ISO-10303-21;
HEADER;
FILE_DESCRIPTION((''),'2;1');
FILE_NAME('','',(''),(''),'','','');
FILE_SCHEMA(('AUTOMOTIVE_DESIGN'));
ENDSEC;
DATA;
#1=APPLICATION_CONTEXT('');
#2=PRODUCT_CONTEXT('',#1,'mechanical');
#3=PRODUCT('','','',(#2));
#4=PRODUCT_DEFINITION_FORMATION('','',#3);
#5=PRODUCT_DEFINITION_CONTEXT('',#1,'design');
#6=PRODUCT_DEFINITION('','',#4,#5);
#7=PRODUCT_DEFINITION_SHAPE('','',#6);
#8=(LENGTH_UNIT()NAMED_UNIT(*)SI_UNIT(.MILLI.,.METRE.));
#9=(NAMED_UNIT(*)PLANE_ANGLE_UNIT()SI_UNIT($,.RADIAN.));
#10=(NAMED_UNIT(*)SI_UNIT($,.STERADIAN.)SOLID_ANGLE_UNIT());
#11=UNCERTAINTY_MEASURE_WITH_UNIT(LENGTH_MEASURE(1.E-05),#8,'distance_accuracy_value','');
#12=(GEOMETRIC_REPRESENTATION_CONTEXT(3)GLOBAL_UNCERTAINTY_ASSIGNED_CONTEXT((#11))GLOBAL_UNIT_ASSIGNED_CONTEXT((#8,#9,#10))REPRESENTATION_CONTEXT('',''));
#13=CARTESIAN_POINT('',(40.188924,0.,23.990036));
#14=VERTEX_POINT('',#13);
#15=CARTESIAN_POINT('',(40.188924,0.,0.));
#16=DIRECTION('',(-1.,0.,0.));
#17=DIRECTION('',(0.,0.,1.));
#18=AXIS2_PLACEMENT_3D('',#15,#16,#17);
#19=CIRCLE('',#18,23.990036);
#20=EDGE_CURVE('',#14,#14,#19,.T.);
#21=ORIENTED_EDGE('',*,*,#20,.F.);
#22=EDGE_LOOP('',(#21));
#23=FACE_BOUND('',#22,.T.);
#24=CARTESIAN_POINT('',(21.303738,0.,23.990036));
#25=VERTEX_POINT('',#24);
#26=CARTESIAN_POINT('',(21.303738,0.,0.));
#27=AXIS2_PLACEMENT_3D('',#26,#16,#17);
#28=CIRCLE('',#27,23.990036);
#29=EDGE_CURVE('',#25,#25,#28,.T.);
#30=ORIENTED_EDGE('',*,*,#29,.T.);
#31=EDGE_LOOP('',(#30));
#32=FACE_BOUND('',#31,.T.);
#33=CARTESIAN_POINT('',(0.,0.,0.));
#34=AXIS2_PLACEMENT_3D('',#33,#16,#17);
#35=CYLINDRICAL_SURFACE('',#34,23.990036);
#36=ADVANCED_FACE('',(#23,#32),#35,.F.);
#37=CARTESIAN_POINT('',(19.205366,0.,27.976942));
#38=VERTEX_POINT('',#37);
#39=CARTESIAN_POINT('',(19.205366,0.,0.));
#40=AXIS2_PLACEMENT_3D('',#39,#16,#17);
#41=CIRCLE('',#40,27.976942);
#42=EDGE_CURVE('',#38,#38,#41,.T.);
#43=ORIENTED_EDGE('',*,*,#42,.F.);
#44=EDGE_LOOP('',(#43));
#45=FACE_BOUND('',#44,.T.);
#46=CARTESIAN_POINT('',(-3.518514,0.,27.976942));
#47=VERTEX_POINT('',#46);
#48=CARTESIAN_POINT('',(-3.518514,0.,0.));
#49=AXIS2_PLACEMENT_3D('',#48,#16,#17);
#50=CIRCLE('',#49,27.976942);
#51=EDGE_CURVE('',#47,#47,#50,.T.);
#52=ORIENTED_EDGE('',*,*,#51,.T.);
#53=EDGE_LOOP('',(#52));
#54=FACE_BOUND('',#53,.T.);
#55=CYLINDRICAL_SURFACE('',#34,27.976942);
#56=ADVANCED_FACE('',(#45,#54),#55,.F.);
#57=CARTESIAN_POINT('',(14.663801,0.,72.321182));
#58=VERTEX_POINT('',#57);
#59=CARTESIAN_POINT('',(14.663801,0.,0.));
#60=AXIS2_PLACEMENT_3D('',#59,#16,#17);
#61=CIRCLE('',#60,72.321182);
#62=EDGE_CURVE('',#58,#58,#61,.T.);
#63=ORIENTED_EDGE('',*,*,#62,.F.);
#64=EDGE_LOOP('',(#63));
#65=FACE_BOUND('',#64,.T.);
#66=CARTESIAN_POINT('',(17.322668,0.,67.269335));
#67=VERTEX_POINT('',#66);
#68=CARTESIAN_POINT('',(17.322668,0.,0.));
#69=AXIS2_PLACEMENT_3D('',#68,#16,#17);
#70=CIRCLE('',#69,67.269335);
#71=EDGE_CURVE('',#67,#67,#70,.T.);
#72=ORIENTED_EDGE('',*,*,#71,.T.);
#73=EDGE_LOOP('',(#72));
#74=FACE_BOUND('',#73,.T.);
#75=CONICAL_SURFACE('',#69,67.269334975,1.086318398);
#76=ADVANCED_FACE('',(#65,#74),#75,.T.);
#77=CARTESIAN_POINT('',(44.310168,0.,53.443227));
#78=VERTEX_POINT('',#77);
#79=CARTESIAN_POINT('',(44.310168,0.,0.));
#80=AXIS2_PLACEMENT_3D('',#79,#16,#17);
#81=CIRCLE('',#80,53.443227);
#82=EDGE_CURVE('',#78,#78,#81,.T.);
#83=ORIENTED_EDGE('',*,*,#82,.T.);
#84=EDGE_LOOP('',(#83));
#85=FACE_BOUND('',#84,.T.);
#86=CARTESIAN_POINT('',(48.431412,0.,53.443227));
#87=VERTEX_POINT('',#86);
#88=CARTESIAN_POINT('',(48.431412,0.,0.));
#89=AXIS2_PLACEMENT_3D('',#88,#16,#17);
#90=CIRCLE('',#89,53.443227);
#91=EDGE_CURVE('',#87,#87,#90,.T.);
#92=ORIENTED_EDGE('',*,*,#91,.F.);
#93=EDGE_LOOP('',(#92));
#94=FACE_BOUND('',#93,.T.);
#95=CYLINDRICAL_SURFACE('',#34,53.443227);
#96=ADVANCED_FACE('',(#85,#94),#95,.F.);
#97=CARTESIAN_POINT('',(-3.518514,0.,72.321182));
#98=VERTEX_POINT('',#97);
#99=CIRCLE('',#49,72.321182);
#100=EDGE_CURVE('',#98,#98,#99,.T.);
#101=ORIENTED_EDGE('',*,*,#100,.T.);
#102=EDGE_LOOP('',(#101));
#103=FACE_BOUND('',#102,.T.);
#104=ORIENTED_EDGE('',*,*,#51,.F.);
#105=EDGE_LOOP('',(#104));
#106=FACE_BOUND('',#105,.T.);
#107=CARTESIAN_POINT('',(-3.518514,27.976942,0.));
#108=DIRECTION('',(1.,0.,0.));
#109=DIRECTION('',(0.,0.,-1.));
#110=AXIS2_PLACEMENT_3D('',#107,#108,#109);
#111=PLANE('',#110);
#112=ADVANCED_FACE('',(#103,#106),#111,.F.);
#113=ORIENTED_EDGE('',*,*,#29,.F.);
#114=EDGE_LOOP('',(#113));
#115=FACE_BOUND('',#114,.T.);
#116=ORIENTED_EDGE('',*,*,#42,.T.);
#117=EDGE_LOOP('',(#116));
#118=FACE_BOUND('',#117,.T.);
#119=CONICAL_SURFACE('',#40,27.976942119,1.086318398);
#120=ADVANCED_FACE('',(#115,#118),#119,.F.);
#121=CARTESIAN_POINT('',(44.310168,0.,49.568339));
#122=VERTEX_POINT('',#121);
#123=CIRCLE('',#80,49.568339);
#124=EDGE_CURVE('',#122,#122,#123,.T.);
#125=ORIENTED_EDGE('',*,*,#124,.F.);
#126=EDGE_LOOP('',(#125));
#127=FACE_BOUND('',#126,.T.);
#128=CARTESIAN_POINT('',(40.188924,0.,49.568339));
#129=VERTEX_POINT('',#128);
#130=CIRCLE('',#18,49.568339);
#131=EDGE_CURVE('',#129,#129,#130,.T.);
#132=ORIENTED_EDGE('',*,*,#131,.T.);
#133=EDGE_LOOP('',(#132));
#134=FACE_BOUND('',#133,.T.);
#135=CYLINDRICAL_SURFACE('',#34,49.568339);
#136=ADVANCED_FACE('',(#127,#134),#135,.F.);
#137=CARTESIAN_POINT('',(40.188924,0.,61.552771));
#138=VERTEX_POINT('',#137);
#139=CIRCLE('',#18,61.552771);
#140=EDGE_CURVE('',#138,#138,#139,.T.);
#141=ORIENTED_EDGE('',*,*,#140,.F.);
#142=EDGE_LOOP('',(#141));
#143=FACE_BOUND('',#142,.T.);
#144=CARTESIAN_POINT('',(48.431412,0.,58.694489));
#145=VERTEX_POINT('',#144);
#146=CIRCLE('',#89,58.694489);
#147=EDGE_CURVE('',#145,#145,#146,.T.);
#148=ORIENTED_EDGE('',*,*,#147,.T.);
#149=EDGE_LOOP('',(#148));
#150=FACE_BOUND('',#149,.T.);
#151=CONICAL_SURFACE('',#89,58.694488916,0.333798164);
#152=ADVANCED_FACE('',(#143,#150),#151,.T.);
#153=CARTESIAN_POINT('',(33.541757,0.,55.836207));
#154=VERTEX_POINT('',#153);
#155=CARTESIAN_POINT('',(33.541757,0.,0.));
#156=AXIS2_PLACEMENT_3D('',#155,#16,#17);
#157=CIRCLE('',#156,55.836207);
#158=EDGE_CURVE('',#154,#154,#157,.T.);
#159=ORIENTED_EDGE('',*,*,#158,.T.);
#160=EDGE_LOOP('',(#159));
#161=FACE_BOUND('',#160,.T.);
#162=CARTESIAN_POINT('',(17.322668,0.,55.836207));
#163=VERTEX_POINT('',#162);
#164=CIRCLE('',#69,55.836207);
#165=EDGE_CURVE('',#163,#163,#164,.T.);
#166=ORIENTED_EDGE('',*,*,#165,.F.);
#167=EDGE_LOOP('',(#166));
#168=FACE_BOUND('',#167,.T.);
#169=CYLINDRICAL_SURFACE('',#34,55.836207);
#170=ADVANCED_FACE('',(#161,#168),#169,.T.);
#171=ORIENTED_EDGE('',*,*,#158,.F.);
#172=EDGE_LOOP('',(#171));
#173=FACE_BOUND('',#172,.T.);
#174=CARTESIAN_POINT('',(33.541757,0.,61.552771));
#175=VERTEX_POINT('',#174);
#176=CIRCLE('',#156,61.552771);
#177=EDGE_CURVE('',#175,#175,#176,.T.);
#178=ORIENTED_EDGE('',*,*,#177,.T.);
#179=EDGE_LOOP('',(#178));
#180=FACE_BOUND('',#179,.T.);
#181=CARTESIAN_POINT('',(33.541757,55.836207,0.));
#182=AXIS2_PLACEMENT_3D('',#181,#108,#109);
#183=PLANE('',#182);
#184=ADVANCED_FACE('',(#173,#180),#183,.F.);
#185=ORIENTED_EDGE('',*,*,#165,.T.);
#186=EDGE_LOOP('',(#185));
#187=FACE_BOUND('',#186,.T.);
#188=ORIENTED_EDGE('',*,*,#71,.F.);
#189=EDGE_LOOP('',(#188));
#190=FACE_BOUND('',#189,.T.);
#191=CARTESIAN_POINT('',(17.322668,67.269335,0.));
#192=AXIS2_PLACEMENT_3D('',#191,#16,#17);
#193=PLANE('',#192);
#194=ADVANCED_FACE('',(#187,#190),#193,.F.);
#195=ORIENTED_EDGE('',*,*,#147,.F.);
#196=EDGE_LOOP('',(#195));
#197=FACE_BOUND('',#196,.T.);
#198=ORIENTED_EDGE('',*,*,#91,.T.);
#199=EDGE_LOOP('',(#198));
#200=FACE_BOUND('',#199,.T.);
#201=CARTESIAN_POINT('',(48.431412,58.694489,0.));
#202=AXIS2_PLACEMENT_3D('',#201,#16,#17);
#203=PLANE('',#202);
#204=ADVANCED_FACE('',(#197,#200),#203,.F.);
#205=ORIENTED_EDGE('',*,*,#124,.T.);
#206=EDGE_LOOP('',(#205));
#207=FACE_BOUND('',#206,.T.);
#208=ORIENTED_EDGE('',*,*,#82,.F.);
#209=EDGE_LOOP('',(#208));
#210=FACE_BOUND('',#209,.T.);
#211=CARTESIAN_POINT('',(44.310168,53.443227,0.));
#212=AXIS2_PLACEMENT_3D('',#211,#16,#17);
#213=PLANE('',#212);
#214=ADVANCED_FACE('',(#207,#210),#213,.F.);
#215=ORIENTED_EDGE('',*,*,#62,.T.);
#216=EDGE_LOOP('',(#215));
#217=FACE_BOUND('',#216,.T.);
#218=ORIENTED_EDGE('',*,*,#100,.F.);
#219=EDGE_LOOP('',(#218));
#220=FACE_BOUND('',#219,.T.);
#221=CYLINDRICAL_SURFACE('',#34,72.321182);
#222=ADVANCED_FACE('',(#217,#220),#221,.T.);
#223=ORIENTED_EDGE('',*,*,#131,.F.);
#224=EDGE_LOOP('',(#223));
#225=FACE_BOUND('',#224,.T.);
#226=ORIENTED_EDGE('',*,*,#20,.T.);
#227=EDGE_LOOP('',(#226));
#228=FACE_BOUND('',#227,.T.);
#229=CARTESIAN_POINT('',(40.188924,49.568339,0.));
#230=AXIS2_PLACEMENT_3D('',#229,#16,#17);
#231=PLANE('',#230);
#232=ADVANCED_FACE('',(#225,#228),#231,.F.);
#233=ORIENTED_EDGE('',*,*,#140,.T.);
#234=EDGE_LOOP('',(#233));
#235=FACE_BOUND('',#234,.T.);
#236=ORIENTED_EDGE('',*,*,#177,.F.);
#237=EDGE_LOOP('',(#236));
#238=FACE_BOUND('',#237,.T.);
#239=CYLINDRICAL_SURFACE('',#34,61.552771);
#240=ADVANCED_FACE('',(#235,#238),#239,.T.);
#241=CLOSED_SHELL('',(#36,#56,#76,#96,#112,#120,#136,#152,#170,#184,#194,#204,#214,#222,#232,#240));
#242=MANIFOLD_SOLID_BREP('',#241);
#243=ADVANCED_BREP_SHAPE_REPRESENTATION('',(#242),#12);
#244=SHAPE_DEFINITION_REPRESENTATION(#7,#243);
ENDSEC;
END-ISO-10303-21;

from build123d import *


with BuildPart() as part:
    # Sketch1 → Revolve1 (revolve)
    with BuildSketch(Plane.XY, mode=Mode.PRIVATE) as revolve1_sk:
        Polygon((-3.518513865, 27.976942119), (-3.518513865, 72.321182266), (14.663800852, 72.321182266), (17.322667847, 67.269334975), (17.322667847, 55.836206897), (33.541756517, 55.836206897), (33.541756517, 61.552770936), (40.188924005, 61.552770936), (48.43141169, 58.694488916), (48.43141169, 53.443226601), (44.310167847, 53.443226601), (44.310167847, 49.568339395), (40.188924005, 49.568339395), (40.188924005, 23.990036189), (21.303737569, 23.990036189), (19.205366026, 27.976942119), align=None)
    revolve(revolve1_sk.sketch.rotate(Axis((0, 0, 0), (1, 0, 0)), 90), axis=Axis((0, 0, 0), (1, 0, 0)))


solid = part.part
